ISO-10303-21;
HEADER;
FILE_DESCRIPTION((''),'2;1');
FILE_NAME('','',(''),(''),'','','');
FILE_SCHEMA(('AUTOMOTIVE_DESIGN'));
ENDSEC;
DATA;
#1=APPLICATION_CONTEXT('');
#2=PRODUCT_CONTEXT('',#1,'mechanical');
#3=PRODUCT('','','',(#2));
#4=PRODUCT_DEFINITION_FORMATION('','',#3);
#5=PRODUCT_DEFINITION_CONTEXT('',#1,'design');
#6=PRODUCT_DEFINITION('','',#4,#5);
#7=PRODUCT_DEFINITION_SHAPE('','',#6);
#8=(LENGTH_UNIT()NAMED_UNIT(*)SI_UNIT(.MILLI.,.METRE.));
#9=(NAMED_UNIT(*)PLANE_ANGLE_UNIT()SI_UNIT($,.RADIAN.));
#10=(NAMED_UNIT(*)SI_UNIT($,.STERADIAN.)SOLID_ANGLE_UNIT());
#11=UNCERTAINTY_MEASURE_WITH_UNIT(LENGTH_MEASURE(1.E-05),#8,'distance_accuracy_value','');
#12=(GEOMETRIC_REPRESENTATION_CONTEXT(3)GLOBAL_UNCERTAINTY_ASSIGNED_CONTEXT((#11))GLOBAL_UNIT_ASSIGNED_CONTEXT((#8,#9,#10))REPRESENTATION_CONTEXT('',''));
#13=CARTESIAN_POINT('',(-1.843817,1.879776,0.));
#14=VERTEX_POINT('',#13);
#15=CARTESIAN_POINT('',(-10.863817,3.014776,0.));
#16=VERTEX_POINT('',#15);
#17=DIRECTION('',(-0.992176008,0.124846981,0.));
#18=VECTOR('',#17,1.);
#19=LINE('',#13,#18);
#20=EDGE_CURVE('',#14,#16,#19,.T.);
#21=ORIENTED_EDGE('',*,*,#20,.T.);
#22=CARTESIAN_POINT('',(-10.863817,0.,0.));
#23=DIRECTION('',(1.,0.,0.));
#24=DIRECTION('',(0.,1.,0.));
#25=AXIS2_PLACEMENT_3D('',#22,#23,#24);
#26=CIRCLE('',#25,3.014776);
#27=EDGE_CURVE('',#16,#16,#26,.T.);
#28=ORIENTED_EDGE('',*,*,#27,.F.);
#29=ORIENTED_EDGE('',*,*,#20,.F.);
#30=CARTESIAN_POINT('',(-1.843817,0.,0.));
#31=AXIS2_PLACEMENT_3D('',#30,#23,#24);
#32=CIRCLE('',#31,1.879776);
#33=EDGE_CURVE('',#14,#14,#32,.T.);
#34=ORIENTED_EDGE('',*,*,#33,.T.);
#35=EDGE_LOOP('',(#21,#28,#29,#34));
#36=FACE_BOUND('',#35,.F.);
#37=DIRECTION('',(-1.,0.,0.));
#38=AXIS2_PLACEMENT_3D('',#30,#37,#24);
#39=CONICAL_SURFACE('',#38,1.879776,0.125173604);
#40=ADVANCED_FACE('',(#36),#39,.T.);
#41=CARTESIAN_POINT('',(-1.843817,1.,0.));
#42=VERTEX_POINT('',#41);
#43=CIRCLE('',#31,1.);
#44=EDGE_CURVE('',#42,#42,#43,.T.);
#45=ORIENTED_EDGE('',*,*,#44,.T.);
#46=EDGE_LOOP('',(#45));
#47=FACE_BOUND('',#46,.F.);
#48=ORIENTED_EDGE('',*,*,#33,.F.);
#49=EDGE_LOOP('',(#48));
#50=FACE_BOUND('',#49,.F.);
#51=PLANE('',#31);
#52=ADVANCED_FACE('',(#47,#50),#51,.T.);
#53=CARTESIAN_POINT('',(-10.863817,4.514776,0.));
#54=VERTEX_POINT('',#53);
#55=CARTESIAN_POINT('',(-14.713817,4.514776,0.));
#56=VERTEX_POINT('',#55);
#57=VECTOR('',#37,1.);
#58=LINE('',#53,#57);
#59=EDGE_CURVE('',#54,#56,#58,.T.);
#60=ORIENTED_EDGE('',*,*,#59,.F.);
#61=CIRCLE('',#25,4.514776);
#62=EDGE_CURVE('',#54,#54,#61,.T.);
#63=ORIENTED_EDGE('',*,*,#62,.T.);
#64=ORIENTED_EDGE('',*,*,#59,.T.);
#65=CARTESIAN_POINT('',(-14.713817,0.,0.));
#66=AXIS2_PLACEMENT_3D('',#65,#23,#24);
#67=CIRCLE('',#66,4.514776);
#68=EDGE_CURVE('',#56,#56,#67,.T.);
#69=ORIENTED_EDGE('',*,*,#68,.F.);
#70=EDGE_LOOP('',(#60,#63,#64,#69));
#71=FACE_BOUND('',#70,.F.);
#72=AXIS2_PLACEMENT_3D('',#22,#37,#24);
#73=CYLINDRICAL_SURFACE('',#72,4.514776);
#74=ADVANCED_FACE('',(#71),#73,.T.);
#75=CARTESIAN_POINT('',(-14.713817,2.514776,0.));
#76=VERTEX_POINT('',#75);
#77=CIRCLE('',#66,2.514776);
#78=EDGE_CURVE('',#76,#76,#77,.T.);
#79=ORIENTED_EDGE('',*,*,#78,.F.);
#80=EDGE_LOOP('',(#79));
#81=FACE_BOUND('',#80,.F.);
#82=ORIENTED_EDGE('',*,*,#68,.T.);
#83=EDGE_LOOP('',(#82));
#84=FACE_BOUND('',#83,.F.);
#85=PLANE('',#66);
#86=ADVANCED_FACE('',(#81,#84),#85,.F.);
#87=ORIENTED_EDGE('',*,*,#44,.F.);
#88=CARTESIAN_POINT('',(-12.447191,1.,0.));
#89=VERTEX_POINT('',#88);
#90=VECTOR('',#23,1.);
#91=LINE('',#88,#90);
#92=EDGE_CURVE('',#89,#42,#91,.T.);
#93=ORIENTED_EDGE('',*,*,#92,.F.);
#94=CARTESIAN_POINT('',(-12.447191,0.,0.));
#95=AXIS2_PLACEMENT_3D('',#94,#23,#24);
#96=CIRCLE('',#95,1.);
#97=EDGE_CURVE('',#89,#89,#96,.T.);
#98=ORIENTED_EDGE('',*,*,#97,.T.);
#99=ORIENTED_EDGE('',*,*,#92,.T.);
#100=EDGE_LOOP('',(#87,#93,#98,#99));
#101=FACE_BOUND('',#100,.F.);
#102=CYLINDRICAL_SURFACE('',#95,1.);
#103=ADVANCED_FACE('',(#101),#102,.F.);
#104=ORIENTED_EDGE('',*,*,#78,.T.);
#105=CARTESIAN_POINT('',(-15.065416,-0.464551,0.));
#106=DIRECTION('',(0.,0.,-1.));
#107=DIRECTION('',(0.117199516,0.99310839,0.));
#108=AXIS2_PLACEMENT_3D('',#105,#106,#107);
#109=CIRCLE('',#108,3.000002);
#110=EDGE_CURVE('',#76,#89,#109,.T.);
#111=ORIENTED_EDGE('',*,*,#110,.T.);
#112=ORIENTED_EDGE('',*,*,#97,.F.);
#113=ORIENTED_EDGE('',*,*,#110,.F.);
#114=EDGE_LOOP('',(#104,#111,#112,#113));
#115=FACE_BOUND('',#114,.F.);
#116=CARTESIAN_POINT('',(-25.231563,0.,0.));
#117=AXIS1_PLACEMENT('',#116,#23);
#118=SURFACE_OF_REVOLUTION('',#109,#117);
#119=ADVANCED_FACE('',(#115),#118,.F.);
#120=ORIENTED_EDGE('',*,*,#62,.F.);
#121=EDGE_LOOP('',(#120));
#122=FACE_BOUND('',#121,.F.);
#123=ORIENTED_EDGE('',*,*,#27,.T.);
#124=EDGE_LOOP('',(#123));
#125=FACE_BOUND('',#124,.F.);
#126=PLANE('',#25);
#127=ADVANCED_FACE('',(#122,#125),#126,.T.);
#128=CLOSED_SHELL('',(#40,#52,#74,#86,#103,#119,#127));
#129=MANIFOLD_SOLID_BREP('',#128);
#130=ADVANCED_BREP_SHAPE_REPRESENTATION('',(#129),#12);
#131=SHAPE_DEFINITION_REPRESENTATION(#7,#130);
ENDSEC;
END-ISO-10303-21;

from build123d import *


with BuildPart() as f1:
    # F0 (on Top) → F1 (revolve)
    with BuildSketch(Plane.XY):
        with BuildLine():
            Line((-10.863817, 4.514776), (-14.713817, 4.514776))
            Line((-14.713817, 4.514776), (-14.713817, 2.514776))
            ThreePointArc((-14.713817, 2.514776), (-13.398503, 2.029725), (-12.447191, 1))
            Line((-12.447191, 1), (-1.843817, 1))
            Line((-1.843817, 1), (-1.843817, 1.879776))
            Line((-1.843817, 1.879776), (-10.863817, 3.014776))
            Line((-10.863817, 3.014776), (-10.863817, 4.514776))
        make_face()
    revolve(axis=Axis((-25.231563, 0, 0), (1, 0, 0)))


solid = f1.part
